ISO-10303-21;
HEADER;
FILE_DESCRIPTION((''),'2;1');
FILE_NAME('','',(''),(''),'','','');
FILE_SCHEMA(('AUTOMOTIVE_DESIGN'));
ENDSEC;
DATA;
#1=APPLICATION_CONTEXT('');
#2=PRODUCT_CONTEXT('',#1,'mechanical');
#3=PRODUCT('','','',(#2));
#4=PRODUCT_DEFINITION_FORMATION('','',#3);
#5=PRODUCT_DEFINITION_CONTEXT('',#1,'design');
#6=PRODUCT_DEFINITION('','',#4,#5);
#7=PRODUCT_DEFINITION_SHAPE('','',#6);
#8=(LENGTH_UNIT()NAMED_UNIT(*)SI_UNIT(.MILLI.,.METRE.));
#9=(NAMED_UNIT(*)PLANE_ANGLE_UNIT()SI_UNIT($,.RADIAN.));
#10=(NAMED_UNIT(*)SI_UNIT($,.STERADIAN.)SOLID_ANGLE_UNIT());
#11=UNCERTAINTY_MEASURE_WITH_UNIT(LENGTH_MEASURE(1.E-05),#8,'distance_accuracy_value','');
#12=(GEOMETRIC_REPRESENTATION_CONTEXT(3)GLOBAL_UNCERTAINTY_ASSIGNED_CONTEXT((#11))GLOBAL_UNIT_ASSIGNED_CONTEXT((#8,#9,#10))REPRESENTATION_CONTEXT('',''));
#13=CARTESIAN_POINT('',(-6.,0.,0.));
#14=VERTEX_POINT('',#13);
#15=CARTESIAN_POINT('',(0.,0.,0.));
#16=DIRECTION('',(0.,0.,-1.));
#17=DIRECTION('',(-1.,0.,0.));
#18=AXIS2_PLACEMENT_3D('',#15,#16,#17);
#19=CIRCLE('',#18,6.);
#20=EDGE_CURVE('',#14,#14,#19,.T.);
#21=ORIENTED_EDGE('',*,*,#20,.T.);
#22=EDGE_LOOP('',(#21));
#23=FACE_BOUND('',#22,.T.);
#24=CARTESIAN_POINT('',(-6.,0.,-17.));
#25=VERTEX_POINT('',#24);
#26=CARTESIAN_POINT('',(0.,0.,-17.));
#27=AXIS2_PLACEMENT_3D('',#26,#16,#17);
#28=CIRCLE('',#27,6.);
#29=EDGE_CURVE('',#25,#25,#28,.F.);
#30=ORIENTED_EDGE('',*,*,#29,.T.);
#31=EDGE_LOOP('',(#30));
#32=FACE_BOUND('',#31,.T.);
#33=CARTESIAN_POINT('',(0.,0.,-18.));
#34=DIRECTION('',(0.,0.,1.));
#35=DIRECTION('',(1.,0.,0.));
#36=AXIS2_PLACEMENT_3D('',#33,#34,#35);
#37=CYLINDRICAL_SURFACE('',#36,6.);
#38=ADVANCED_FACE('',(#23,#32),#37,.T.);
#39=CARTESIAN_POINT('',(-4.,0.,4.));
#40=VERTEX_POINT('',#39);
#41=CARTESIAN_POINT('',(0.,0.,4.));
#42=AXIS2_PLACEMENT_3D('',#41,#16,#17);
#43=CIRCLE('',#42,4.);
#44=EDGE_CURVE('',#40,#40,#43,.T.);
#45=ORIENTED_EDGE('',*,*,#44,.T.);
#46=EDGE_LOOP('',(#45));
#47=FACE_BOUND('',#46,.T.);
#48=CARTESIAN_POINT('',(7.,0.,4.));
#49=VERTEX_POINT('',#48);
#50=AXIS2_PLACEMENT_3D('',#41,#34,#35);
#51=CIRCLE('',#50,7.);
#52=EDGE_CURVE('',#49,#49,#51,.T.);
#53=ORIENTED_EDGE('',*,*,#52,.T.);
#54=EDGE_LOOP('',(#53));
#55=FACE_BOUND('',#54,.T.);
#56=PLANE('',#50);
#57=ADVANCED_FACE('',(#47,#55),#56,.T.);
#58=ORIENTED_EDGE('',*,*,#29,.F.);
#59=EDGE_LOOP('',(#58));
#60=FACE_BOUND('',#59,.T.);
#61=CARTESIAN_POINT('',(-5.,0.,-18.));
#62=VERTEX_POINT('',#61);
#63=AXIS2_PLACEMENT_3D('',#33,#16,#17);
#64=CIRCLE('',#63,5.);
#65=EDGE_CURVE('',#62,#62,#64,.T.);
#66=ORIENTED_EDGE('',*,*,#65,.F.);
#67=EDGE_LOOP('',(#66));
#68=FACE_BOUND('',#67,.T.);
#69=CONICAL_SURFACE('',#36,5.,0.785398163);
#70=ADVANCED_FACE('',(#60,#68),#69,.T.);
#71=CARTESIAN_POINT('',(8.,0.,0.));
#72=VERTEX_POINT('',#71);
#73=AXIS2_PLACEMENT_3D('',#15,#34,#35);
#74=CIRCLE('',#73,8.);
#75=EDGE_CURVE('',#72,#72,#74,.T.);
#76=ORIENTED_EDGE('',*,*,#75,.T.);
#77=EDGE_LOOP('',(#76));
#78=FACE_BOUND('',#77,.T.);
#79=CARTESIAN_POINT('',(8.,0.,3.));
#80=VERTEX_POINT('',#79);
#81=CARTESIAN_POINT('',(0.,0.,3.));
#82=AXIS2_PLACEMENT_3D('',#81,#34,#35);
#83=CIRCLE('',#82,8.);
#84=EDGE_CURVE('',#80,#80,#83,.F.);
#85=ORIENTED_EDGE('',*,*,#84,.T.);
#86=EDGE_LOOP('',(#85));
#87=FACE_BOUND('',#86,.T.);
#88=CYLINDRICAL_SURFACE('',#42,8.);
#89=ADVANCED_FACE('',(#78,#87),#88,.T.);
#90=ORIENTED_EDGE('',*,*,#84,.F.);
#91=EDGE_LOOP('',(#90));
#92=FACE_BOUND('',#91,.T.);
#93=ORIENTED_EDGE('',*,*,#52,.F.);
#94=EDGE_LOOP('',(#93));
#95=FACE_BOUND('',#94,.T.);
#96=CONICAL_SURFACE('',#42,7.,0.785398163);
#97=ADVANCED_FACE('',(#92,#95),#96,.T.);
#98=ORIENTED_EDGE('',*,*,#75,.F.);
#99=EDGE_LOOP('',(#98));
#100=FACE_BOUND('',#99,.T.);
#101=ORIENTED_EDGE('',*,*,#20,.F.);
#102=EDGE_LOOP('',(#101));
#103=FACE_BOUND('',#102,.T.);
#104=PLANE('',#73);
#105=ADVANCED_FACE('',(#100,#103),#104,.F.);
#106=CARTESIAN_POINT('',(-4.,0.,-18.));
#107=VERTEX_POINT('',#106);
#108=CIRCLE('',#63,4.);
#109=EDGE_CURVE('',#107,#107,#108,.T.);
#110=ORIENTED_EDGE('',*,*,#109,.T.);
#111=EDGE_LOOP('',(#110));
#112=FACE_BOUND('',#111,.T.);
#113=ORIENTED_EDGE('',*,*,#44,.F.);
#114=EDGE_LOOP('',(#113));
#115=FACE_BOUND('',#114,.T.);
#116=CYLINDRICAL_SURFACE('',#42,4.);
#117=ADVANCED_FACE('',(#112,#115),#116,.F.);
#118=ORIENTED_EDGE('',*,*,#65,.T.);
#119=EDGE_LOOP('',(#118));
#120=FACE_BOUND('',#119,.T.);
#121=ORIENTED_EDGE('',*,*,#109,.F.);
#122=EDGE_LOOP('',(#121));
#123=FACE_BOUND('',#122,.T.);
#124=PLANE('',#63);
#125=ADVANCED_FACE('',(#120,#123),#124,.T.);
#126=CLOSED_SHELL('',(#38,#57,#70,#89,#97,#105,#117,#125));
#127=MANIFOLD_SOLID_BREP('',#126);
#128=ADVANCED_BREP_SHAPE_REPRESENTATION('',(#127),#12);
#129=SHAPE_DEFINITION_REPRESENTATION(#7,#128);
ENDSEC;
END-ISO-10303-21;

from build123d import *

# Parameters (mm, degrees)
SKETCH_1_R          = 8
EXTRUDE_1_DEPTH     = 4
SKETCH_2_R          = 6
EXTRUDE_2_DEPTH     = 18
SKETCH_3_R          = 4
CUT_EXTRUDE_1_DEPTH = 23
CHAMFER_1_SIZE      = 1


with BuildPart() as part:
    # 스케치1 → 보스-돌출1 (new body)
    with BuildSketch(Plane.XY):
        Circle(SKETCH_1_R)
    extrude(amount=EXTRUDE_1_DEPTH)

    # 스케치2 → 보스-돌출2 (add)
    with BuildSketch(Plane(origin=(0, 0, 0), x_dir=(-1, 0, 0), z_dir=(0, 0, -1))):
        Circle(SKETCH_2_R)
    extrude(amount=EXTRUDE_2_DEPTH)

    # 스케치3 → 컷-돌출1 (cut, through all)
    with BuildSketch(Plane(origin=(0, 0, -18), x_dir=(-1, 0, 0), z_dir=(0, 0, -1))):
        Circle(SKETCH_3_R)
    extrude(amount=-CUT_EXTRUDE_1_DEPTH, mode=Mode.SUBTRACT)

    # 모따기1
    chamfer_1_edges = [part.edges().sort_by_distance(p)[0] for p in [
        (-8, 0, 4),
        (6, 0, -18),
    ]]
    chamfer(chamfer_1_edges, length=CHAMFER_1_SIZE)


solid = part.part
